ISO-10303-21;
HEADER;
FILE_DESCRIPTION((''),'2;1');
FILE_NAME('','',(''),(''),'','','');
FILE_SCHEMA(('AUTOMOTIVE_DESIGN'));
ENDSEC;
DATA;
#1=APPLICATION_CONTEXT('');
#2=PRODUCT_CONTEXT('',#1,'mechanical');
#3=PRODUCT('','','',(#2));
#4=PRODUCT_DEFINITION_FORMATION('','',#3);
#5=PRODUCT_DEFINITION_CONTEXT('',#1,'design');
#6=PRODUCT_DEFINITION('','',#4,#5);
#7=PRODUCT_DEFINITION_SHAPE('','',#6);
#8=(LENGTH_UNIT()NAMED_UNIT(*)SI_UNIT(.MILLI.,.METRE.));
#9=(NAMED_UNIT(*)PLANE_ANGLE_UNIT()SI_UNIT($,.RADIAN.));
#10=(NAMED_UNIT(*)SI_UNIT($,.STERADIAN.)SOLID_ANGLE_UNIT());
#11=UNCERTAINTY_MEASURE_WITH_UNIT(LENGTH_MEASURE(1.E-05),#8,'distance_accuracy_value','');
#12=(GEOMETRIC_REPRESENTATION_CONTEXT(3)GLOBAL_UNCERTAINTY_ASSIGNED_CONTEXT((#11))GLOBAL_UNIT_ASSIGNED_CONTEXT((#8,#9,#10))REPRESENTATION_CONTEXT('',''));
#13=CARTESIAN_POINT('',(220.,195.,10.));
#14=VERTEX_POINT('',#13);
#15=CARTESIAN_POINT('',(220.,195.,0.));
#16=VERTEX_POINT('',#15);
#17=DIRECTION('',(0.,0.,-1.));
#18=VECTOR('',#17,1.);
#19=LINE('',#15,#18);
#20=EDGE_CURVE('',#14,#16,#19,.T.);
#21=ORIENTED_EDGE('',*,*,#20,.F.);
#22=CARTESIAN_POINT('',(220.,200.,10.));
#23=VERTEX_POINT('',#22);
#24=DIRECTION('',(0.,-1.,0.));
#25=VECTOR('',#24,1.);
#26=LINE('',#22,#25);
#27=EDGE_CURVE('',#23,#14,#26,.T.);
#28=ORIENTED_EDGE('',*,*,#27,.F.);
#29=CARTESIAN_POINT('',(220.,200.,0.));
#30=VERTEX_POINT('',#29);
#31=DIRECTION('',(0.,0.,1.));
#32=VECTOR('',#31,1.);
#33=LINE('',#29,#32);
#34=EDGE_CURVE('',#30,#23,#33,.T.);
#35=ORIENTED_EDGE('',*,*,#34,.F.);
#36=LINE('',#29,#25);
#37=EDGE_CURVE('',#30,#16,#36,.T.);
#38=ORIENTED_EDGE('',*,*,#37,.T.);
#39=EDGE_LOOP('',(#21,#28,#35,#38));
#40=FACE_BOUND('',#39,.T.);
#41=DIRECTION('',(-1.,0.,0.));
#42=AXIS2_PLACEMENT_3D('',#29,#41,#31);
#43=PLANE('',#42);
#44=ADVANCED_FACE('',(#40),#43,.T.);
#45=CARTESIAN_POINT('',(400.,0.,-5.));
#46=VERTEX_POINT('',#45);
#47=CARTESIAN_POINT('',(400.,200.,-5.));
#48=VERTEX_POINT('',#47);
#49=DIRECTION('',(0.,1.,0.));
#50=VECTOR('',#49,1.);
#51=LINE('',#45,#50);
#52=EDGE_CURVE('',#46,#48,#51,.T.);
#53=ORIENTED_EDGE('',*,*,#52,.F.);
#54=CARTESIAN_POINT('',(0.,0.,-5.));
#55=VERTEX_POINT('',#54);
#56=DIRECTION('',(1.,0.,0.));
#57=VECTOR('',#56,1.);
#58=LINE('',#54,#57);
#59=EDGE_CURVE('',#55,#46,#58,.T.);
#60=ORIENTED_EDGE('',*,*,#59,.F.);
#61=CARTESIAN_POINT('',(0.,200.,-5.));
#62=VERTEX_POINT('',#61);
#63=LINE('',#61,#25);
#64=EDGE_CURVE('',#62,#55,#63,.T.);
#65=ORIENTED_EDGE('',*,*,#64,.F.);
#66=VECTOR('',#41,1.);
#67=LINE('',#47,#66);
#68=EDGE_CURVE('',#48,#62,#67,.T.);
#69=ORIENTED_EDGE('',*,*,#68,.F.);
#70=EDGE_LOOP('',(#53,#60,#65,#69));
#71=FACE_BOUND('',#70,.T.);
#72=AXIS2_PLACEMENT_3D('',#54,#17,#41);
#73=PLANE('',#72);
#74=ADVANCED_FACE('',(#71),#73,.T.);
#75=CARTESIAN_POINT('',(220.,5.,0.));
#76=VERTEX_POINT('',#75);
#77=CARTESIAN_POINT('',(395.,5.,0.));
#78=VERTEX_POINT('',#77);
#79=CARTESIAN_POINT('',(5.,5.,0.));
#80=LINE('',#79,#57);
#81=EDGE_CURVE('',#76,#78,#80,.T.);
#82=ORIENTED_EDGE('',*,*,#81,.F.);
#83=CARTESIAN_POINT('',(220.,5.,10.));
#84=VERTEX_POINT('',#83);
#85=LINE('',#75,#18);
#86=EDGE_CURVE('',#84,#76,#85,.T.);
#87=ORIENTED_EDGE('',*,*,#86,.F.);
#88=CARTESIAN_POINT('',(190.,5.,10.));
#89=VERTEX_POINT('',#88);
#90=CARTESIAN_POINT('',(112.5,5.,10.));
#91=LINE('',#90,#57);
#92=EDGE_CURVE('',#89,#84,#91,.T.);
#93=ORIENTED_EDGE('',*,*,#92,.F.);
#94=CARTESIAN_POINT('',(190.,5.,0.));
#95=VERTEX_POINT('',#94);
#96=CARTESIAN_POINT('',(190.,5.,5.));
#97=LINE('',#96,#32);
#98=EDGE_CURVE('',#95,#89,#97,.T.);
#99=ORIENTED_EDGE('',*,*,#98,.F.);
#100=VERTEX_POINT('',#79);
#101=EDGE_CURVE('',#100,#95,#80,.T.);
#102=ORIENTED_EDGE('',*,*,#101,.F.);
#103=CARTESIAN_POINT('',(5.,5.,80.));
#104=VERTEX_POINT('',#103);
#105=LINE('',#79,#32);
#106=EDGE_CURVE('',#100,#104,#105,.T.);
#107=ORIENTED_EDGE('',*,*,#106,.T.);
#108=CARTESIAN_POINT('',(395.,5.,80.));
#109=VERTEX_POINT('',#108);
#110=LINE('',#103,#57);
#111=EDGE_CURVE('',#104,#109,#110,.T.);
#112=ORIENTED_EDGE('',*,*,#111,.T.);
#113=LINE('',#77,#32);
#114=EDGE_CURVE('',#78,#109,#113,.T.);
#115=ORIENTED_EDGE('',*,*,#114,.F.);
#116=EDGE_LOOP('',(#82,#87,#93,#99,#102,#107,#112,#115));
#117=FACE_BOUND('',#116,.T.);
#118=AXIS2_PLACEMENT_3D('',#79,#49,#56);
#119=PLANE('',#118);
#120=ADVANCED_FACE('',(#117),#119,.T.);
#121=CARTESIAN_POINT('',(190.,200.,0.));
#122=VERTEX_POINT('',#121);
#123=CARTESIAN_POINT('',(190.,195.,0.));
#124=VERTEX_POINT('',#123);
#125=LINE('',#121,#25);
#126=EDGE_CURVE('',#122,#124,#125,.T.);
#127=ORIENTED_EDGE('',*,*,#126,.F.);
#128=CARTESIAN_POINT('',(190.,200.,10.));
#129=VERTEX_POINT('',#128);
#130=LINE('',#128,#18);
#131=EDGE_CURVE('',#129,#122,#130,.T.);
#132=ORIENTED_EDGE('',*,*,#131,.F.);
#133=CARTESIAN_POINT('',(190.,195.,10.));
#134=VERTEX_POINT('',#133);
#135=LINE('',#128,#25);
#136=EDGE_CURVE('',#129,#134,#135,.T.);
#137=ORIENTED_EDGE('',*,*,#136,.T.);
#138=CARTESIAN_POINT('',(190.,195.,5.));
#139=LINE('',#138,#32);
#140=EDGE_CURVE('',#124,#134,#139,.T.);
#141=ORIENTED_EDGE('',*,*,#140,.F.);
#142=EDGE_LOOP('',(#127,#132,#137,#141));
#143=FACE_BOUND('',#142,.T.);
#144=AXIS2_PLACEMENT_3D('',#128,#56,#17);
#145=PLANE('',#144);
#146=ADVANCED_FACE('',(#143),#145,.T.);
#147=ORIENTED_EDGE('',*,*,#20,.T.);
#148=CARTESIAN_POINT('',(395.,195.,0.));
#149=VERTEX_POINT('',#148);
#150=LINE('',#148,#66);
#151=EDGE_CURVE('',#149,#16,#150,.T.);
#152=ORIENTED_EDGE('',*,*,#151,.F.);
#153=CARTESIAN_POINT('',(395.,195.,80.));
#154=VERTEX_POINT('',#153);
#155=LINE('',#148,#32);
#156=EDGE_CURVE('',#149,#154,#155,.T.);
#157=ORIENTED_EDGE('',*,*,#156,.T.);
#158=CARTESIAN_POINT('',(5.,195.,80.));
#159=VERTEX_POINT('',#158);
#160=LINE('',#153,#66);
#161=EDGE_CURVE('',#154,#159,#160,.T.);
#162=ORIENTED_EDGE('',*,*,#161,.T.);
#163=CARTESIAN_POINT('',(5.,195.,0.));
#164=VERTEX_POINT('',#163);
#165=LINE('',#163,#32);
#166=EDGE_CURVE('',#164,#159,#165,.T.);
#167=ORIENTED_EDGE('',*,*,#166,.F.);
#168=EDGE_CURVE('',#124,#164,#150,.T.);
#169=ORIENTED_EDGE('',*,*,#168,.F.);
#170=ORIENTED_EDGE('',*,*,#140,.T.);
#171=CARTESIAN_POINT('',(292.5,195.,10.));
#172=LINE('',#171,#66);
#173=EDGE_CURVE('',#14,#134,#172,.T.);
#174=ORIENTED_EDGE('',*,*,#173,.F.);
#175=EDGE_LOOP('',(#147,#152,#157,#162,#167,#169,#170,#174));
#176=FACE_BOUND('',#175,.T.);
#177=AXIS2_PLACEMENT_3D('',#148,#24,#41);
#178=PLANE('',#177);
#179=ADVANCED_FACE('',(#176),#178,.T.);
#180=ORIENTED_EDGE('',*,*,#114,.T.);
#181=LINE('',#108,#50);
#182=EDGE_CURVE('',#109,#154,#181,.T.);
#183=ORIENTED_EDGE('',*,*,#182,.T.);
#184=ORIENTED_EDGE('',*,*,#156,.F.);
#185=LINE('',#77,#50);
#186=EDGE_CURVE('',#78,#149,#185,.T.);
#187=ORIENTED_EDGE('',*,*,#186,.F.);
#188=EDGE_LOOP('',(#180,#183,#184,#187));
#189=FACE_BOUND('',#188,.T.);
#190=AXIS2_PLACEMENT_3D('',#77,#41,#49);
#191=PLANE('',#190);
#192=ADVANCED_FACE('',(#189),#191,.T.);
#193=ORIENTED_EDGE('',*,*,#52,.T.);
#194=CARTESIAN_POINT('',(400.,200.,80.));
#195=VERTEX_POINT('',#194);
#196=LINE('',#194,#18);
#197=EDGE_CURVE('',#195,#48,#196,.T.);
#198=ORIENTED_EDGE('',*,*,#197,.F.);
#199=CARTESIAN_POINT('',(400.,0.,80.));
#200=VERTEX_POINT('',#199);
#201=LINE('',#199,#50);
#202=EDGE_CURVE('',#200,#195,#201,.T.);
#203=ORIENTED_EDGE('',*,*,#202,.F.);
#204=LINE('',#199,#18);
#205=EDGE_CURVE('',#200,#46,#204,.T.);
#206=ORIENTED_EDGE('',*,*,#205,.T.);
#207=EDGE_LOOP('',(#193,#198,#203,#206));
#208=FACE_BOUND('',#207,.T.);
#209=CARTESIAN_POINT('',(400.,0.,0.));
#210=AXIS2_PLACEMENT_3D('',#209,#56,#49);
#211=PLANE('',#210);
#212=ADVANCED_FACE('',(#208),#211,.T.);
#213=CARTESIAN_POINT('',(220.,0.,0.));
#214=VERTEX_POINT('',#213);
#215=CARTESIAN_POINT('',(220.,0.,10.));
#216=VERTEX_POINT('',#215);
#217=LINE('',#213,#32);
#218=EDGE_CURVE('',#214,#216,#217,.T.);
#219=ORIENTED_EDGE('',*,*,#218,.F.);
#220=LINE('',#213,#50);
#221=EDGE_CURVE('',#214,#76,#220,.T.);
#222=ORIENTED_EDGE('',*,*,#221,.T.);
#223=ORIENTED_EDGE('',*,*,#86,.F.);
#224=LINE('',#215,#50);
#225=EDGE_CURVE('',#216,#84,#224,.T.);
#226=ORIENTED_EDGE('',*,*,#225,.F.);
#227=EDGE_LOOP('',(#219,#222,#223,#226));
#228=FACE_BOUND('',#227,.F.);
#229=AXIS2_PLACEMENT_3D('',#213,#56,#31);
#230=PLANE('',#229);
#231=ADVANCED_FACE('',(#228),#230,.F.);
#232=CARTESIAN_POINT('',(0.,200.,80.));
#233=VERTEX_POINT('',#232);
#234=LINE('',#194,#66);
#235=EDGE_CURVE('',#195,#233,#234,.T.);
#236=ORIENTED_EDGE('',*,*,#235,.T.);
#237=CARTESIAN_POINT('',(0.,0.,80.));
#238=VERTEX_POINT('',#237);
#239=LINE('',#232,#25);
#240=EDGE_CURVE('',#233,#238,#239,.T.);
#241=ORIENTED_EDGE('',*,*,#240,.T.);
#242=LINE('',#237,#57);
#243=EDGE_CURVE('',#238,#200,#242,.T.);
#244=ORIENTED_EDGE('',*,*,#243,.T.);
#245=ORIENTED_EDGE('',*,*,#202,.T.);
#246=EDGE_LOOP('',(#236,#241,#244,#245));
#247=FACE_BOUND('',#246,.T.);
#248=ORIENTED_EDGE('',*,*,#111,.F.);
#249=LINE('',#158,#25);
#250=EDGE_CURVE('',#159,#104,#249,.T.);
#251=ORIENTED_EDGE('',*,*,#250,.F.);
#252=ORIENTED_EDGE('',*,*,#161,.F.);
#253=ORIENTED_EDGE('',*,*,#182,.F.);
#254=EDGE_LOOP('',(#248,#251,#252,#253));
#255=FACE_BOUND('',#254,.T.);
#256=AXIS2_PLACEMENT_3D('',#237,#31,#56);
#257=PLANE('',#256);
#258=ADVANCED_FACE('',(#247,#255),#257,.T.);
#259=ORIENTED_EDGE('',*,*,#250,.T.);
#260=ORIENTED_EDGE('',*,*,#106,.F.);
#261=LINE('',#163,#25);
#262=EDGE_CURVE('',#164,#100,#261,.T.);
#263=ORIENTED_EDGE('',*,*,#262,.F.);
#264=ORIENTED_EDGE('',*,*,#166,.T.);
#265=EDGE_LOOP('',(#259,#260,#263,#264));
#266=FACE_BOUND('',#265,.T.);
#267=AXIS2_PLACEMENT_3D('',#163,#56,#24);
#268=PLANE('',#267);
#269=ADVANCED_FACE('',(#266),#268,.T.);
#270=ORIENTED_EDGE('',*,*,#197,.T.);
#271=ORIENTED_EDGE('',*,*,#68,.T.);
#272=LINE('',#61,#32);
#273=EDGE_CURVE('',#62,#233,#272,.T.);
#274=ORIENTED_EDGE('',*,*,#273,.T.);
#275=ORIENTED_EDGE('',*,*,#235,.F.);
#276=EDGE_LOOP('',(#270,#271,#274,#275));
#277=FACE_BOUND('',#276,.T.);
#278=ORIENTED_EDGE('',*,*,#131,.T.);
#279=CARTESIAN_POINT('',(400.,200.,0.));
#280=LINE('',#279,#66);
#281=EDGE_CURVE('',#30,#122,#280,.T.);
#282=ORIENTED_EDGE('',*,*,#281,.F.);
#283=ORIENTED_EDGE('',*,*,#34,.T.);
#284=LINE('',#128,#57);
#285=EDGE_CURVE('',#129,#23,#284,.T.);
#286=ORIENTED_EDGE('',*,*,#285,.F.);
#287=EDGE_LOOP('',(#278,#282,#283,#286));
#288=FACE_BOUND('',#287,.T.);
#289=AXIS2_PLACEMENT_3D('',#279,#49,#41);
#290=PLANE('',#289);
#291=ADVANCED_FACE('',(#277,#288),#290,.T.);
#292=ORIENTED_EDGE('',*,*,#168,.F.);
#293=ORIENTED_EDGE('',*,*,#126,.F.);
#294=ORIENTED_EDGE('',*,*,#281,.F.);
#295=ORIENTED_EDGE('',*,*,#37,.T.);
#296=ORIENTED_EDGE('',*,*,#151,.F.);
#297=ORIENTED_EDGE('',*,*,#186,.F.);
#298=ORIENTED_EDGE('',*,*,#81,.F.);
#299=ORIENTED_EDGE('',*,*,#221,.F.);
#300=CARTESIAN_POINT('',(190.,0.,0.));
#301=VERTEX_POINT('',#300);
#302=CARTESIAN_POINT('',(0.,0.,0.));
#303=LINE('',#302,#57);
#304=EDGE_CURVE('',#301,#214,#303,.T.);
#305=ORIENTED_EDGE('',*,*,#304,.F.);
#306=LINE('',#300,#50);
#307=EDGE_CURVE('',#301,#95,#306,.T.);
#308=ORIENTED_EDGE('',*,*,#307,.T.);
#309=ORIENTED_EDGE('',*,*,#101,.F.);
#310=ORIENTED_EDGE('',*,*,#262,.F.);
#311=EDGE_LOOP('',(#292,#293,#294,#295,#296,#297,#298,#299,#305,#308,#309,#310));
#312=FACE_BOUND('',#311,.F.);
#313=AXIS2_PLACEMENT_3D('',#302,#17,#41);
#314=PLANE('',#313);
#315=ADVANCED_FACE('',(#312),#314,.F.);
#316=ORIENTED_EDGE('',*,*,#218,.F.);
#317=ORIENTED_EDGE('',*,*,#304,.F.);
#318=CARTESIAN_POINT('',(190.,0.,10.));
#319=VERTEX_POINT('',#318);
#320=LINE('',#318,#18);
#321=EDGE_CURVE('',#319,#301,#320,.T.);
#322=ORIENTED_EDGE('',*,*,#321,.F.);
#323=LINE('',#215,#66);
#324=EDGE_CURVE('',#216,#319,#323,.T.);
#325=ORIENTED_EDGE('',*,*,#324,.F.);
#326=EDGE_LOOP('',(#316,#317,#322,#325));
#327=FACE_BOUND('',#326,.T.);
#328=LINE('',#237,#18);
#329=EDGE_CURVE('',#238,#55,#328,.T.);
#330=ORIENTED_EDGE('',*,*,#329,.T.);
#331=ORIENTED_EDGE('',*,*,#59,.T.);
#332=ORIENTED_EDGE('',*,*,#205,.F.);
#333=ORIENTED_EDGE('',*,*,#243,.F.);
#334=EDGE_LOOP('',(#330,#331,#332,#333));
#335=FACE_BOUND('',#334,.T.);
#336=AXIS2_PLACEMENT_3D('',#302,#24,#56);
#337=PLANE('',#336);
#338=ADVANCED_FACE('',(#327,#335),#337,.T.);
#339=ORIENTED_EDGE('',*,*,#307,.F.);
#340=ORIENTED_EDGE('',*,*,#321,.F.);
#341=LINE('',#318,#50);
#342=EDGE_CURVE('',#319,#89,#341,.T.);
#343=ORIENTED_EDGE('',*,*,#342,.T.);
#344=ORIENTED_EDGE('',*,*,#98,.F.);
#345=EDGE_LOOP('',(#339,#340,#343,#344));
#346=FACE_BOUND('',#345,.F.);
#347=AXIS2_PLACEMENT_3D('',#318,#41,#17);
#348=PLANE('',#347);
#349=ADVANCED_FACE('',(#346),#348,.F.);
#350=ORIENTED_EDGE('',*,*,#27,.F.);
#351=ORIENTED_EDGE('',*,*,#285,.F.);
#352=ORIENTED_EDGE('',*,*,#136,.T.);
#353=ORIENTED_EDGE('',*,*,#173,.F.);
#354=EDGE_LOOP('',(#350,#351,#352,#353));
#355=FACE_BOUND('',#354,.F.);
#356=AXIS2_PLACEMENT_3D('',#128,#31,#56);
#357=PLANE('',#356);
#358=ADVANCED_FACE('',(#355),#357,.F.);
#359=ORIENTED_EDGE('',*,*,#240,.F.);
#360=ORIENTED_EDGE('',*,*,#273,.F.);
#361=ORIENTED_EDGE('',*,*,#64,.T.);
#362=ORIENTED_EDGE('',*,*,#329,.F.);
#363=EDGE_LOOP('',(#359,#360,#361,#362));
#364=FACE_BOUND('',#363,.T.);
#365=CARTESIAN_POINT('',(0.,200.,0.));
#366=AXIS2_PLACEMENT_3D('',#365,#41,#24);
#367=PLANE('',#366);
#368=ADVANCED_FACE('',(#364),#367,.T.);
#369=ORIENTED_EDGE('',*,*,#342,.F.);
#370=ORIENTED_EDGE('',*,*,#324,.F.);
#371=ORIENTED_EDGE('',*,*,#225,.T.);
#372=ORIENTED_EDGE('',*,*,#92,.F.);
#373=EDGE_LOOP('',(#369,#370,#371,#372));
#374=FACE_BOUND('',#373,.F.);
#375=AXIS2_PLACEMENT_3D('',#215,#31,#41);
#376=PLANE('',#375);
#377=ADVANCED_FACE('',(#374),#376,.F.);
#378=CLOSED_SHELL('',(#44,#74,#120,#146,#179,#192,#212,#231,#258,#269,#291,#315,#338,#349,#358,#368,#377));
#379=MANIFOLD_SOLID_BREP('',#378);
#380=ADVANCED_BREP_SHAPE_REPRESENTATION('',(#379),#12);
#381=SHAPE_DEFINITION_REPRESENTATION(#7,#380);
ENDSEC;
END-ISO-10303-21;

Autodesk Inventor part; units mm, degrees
ref_plane "YZ Plane" through (0, 0, 0) normal (1, 0, 0) x (0, 1, 0)
ref_plane "XZ Plane" through (0, 0, 0) normal (0, 1, 0) x (-1, 0, 0)
ref_plane "XY Plane" through (0, 0, 0) normal (0, 0, 1) x (1, 0, 0)
sketch "Sketch1" plane through (0, 0, 0) normal (0, 0, 1) x (1, 0, 0)
  line L0 (0, 0) -> (400, 0)
  line L1 (400, 0) -> (400, 200)
  line L2 (400, 200) -> (0, 200)
  line L3 (0, 200) -> (0, 0)
  line L4 (5, 5) -> (395, 5)
  line L5 (395, 5) -> (395, 195)
  line L6 (395, 195) -> (5, 195)
  line L7 (5, 195) -> (5, 5)
  dimension "d0" = 400
  dimension "d1" = 200
  dimension "d2" = 390
  dimension "d3" = 190
extrude "Extrusion1" add sketch "Sketch1" along normal blind 80
sketch "Sketch2" plane through (0, 0, 0) normal (0, -1, 0) x (1, 0, 0)
  line L0 (5, 0) -> (395, 0) projected
  line L1 (190, 0) -> (220, 0)
  line L2 (220, 0) -> (220, 10)
  line L3 (220, 10) -> (190, 10)
  line L4 (190, 10) -> (190, 0)
  point P0 (0, 0)
  dimension "d6" = 30
  dimension "d7" = 10
extrude "Extrusion2" cut sketch "Sketch2" against normal blind 80
sketch "Sketch3" plane through (0, 200, 0) normal (0, 1, 0) x (1, 0, 0)
  line L0 (190, -10) -> (220, -10) projected
  line L1 (190, 0) -> (5, 0) projected
  line L2 (220, -10) -> (190, -10)
  line L3 (190, -10) -> (190, 0)
  line L4 (190, 0) -> (220, 0)
  line L5 (220, 0) -> (220, -10)
  point P0 (0, 0)
extrude "Extrusion3" cut sketch "Sketch3" against normal blind 80
sketch "Sketch4" plane through (0, 0, 0) normal (0, 0, -1) x (-1, 0, 0)
  line L0 (-400, 200) -> (-220, 200) projected
  line L1 (0, 0) -> (-400, 0)
  line L2 (-400, 0) -> (-400, 200)
  line L3 (-400, 200) -> (0, 200)
  line L4 (0, 200) -> (0, 0)
extrude "Extrusion4" add sketch "Sketch4" along normal blind 5
sketch "Sketch5" plane through (0, 0, 80) normal (0, 0, 1) x (1, 0, 0)
  point P0 (0, 0)
properties part number "d"
